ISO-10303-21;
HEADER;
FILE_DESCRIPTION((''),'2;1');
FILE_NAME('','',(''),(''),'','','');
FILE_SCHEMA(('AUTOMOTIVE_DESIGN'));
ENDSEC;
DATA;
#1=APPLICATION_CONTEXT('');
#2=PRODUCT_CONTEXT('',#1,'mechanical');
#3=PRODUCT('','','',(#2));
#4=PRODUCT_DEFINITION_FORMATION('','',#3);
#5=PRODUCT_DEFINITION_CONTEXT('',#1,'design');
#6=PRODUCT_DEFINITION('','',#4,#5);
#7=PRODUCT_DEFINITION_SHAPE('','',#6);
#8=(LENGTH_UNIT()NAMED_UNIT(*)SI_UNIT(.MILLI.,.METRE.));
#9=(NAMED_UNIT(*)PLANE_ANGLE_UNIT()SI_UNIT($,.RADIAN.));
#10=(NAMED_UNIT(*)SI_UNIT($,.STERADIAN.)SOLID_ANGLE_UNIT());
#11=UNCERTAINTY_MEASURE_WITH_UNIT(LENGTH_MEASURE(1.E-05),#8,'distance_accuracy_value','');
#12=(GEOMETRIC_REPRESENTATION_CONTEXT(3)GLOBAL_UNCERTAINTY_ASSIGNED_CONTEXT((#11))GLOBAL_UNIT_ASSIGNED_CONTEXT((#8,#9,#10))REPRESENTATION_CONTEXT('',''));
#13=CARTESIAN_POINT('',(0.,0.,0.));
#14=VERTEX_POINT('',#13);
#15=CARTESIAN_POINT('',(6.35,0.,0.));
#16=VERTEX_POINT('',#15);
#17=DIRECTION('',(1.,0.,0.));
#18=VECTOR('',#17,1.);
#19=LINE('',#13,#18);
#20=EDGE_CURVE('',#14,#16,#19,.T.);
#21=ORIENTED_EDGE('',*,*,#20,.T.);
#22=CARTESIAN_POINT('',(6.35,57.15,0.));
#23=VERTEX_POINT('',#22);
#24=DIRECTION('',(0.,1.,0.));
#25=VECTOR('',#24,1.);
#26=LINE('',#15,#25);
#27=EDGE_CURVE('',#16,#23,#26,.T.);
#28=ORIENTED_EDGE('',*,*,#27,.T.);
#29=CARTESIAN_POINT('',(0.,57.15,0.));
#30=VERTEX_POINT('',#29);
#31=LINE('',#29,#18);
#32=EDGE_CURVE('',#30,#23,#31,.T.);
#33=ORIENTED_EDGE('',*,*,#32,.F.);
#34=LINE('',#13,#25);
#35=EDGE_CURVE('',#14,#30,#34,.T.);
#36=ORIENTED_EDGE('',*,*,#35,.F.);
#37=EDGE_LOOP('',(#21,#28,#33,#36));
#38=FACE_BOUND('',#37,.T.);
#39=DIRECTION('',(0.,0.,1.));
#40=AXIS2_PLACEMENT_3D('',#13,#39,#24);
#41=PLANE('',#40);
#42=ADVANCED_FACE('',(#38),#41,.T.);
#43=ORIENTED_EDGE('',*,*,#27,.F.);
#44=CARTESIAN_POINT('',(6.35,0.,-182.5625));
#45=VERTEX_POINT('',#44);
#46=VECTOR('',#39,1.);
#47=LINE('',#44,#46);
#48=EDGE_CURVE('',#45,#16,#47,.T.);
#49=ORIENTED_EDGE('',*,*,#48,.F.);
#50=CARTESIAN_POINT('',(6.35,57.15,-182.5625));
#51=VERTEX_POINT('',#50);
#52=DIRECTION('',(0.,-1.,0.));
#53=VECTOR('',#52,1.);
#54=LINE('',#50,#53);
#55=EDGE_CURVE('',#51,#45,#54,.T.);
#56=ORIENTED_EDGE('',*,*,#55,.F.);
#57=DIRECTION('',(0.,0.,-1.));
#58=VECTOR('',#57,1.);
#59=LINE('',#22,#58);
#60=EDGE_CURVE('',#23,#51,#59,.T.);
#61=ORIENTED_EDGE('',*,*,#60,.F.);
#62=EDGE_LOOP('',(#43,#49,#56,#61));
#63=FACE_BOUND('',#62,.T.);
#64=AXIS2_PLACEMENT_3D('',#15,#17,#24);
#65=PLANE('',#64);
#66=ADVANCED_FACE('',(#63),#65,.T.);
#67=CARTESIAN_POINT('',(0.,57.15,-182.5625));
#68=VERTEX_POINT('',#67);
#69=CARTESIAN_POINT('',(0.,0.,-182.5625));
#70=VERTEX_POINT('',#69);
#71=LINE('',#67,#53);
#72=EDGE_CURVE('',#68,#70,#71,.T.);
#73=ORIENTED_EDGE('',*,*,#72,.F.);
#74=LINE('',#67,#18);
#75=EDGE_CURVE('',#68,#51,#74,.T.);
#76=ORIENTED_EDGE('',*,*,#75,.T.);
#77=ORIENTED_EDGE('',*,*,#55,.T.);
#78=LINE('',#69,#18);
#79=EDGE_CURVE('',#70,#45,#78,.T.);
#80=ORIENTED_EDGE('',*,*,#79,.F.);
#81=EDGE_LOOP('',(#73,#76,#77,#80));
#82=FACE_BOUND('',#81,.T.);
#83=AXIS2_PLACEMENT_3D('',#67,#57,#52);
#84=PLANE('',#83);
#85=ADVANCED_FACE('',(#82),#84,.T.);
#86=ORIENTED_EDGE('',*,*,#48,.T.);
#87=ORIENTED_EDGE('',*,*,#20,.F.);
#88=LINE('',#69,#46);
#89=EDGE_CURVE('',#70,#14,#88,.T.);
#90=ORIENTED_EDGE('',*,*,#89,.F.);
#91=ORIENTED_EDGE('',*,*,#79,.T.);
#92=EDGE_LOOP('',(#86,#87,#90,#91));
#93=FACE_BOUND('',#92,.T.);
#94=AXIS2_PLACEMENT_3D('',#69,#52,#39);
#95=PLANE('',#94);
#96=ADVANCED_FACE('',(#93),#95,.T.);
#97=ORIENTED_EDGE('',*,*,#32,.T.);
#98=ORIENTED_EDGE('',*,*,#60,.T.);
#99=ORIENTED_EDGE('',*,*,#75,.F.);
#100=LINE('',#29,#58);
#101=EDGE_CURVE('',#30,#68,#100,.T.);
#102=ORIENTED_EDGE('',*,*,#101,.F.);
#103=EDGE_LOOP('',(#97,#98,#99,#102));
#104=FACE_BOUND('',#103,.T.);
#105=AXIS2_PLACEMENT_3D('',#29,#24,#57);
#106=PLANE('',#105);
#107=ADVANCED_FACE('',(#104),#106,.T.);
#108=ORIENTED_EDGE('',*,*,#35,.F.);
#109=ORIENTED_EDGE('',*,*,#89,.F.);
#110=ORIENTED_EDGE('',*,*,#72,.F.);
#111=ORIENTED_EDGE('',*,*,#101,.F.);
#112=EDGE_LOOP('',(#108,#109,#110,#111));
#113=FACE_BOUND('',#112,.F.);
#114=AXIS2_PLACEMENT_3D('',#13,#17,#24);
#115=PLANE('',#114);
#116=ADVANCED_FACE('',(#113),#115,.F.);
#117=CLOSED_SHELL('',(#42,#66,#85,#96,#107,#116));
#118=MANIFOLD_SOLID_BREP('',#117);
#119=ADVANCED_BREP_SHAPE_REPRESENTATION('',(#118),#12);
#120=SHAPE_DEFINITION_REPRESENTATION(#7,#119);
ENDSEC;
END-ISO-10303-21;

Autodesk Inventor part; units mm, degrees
ref_plane "YZ Plane" through (0, 0, 0) normal (1, 0, 0) x (0, 1, 0)
ref_plane "XZ Plane" through (0, 0, 0) normal (0, 1, 0) x (-1, 0, 0)
ref_plane "XY Plane" through (0, 0, 0) normal (0, 0, 1) x (1, 0, 0)
sketch "Sketch1" plane through (0, 0, 0) normal (1, 0, 0) x (0, 1, 0)
  line L0 (0, 0) -> (57.15, 0)
  line L1 (57.15, 0) -> (57.15, -182.5625)
  line L2 (57.15, -182.5625) -> (0, -182.5625)
  line L3 (0, -182.5625) -> (0, 0)
  dimension "d0" = 57.15
  dimension "d1" = 182.5625
extrude "Extrusion1" add sketch "Sketch1" along normal blind 6.35
properties part number "hopper v2 back"
